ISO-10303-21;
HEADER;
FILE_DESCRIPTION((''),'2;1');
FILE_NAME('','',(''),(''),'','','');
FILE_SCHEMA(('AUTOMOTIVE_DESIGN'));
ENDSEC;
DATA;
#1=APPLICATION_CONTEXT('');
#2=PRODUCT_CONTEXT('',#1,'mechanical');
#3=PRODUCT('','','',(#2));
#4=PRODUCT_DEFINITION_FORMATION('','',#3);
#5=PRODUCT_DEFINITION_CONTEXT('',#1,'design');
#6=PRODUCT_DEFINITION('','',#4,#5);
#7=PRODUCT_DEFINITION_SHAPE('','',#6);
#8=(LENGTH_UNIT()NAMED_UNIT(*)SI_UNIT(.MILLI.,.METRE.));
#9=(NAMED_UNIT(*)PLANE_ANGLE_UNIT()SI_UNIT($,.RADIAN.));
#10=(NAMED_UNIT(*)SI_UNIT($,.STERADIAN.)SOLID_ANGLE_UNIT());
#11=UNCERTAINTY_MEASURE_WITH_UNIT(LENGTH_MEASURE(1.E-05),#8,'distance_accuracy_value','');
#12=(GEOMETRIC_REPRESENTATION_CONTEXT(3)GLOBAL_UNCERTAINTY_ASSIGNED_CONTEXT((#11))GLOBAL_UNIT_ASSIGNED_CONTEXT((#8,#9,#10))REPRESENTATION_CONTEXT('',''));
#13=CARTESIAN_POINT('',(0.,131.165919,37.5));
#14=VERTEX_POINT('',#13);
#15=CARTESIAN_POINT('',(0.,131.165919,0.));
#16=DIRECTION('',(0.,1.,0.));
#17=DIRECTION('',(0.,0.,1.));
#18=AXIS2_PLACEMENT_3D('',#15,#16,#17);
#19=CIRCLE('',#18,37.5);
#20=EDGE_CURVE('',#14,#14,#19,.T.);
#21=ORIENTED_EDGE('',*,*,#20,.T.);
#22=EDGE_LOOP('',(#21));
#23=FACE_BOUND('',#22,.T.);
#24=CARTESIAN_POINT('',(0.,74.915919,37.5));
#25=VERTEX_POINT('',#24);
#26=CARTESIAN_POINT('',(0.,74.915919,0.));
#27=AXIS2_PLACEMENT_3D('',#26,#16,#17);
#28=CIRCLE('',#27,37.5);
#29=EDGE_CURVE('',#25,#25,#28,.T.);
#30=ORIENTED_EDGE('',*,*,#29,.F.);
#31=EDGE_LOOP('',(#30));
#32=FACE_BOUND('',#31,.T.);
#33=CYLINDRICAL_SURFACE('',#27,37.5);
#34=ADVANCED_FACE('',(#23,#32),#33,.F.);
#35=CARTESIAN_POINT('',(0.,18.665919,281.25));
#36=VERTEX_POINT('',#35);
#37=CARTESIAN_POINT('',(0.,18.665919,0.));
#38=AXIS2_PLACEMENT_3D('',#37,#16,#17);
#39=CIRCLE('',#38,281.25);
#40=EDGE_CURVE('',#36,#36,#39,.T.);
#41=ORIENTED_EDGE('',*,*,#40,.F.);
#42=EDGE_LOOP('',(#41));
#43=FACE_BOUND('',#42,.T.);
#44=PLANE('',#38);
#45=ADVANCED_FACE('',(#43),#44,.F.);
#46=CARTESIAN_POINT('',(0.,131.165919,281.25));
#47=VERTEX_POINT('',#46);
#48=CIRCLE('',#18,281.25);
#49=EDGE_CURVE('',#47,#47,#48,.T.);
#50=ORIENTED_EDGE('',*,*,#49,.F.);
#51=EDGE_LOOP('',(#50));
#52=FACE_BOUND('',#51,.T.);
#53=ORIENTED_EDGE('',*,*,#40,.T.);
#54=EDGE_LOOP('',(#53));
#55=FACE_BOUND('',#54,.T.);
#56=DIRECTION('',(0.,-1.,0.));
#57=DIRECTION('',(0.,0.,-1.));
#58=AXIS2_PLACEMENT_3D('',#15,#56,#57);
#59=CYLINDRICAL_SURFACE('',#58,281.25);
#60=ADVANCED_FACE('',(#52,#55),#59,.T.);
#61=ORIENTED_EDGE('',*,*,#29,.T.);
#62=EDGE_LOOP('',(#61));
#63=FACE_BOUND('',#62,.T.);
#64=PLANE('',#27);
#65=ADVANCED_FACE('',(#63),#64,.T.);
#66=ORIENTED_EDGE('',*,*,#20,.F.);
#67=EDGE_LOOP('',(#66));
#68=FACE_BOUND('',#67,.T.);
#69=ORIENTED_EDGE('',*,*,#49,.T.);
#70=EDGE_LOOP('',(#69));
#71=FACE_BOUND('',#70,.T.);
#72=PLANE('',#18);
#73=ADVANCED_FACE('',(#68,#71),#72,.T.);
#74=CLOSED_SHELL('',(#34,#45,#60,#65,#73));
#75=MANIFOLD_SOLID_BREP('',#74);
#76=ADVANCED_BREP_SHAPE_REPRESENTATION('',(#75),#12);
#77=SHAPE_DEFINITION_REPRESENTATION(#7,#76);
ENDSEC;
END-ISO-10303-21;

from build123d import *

# Parameters (mm, degrees)
SKETCH1_R           = 375
BOSS_EXTRUDE1_DEPTH = 150
SKETCH2_R           = 50
CUT_EXTRUDE1_DEPTH  = 75
SCALE1_SCALE        = 0.75


with BuildPart() as part:
    # Sketch1 → Boss-Extrude1 (new body)
    with BuildSketch(Plane(origin=(0, 0, 0), x_dir=(1, 0, 0), z_dir=(0, 1, 0))):
        with Locations(Location((0, 0, 0), (0, 0, 270))):
            Circle(SKETCH1_R)
    extrude(amount=BOSS_EXTRUDE1_DEPTH)

    # Sketch2 → Cut-Extrude1 (cut)
    with BuildSketch(Plane(origin=(0, 150, 0), x_dir=(1, 0, 0), z_dir=(0, 1, 0))):
        with Locations(Location((0, 0, 0), (0, 0, 270))):
            Circle(SKETCH2_R)
    extrude(amount=-CUT_EXTRUDE1_DEPTH, mode=Mode.SUBTRACT)


with BuildPart() as part_1:
    # Scale1: scaled about (0, 74.66367713, 0)
    add(part.part.scale(SCALE1_SCALE).moved(Location((0, 18.665919282, 0))))


solid = part_1.part
